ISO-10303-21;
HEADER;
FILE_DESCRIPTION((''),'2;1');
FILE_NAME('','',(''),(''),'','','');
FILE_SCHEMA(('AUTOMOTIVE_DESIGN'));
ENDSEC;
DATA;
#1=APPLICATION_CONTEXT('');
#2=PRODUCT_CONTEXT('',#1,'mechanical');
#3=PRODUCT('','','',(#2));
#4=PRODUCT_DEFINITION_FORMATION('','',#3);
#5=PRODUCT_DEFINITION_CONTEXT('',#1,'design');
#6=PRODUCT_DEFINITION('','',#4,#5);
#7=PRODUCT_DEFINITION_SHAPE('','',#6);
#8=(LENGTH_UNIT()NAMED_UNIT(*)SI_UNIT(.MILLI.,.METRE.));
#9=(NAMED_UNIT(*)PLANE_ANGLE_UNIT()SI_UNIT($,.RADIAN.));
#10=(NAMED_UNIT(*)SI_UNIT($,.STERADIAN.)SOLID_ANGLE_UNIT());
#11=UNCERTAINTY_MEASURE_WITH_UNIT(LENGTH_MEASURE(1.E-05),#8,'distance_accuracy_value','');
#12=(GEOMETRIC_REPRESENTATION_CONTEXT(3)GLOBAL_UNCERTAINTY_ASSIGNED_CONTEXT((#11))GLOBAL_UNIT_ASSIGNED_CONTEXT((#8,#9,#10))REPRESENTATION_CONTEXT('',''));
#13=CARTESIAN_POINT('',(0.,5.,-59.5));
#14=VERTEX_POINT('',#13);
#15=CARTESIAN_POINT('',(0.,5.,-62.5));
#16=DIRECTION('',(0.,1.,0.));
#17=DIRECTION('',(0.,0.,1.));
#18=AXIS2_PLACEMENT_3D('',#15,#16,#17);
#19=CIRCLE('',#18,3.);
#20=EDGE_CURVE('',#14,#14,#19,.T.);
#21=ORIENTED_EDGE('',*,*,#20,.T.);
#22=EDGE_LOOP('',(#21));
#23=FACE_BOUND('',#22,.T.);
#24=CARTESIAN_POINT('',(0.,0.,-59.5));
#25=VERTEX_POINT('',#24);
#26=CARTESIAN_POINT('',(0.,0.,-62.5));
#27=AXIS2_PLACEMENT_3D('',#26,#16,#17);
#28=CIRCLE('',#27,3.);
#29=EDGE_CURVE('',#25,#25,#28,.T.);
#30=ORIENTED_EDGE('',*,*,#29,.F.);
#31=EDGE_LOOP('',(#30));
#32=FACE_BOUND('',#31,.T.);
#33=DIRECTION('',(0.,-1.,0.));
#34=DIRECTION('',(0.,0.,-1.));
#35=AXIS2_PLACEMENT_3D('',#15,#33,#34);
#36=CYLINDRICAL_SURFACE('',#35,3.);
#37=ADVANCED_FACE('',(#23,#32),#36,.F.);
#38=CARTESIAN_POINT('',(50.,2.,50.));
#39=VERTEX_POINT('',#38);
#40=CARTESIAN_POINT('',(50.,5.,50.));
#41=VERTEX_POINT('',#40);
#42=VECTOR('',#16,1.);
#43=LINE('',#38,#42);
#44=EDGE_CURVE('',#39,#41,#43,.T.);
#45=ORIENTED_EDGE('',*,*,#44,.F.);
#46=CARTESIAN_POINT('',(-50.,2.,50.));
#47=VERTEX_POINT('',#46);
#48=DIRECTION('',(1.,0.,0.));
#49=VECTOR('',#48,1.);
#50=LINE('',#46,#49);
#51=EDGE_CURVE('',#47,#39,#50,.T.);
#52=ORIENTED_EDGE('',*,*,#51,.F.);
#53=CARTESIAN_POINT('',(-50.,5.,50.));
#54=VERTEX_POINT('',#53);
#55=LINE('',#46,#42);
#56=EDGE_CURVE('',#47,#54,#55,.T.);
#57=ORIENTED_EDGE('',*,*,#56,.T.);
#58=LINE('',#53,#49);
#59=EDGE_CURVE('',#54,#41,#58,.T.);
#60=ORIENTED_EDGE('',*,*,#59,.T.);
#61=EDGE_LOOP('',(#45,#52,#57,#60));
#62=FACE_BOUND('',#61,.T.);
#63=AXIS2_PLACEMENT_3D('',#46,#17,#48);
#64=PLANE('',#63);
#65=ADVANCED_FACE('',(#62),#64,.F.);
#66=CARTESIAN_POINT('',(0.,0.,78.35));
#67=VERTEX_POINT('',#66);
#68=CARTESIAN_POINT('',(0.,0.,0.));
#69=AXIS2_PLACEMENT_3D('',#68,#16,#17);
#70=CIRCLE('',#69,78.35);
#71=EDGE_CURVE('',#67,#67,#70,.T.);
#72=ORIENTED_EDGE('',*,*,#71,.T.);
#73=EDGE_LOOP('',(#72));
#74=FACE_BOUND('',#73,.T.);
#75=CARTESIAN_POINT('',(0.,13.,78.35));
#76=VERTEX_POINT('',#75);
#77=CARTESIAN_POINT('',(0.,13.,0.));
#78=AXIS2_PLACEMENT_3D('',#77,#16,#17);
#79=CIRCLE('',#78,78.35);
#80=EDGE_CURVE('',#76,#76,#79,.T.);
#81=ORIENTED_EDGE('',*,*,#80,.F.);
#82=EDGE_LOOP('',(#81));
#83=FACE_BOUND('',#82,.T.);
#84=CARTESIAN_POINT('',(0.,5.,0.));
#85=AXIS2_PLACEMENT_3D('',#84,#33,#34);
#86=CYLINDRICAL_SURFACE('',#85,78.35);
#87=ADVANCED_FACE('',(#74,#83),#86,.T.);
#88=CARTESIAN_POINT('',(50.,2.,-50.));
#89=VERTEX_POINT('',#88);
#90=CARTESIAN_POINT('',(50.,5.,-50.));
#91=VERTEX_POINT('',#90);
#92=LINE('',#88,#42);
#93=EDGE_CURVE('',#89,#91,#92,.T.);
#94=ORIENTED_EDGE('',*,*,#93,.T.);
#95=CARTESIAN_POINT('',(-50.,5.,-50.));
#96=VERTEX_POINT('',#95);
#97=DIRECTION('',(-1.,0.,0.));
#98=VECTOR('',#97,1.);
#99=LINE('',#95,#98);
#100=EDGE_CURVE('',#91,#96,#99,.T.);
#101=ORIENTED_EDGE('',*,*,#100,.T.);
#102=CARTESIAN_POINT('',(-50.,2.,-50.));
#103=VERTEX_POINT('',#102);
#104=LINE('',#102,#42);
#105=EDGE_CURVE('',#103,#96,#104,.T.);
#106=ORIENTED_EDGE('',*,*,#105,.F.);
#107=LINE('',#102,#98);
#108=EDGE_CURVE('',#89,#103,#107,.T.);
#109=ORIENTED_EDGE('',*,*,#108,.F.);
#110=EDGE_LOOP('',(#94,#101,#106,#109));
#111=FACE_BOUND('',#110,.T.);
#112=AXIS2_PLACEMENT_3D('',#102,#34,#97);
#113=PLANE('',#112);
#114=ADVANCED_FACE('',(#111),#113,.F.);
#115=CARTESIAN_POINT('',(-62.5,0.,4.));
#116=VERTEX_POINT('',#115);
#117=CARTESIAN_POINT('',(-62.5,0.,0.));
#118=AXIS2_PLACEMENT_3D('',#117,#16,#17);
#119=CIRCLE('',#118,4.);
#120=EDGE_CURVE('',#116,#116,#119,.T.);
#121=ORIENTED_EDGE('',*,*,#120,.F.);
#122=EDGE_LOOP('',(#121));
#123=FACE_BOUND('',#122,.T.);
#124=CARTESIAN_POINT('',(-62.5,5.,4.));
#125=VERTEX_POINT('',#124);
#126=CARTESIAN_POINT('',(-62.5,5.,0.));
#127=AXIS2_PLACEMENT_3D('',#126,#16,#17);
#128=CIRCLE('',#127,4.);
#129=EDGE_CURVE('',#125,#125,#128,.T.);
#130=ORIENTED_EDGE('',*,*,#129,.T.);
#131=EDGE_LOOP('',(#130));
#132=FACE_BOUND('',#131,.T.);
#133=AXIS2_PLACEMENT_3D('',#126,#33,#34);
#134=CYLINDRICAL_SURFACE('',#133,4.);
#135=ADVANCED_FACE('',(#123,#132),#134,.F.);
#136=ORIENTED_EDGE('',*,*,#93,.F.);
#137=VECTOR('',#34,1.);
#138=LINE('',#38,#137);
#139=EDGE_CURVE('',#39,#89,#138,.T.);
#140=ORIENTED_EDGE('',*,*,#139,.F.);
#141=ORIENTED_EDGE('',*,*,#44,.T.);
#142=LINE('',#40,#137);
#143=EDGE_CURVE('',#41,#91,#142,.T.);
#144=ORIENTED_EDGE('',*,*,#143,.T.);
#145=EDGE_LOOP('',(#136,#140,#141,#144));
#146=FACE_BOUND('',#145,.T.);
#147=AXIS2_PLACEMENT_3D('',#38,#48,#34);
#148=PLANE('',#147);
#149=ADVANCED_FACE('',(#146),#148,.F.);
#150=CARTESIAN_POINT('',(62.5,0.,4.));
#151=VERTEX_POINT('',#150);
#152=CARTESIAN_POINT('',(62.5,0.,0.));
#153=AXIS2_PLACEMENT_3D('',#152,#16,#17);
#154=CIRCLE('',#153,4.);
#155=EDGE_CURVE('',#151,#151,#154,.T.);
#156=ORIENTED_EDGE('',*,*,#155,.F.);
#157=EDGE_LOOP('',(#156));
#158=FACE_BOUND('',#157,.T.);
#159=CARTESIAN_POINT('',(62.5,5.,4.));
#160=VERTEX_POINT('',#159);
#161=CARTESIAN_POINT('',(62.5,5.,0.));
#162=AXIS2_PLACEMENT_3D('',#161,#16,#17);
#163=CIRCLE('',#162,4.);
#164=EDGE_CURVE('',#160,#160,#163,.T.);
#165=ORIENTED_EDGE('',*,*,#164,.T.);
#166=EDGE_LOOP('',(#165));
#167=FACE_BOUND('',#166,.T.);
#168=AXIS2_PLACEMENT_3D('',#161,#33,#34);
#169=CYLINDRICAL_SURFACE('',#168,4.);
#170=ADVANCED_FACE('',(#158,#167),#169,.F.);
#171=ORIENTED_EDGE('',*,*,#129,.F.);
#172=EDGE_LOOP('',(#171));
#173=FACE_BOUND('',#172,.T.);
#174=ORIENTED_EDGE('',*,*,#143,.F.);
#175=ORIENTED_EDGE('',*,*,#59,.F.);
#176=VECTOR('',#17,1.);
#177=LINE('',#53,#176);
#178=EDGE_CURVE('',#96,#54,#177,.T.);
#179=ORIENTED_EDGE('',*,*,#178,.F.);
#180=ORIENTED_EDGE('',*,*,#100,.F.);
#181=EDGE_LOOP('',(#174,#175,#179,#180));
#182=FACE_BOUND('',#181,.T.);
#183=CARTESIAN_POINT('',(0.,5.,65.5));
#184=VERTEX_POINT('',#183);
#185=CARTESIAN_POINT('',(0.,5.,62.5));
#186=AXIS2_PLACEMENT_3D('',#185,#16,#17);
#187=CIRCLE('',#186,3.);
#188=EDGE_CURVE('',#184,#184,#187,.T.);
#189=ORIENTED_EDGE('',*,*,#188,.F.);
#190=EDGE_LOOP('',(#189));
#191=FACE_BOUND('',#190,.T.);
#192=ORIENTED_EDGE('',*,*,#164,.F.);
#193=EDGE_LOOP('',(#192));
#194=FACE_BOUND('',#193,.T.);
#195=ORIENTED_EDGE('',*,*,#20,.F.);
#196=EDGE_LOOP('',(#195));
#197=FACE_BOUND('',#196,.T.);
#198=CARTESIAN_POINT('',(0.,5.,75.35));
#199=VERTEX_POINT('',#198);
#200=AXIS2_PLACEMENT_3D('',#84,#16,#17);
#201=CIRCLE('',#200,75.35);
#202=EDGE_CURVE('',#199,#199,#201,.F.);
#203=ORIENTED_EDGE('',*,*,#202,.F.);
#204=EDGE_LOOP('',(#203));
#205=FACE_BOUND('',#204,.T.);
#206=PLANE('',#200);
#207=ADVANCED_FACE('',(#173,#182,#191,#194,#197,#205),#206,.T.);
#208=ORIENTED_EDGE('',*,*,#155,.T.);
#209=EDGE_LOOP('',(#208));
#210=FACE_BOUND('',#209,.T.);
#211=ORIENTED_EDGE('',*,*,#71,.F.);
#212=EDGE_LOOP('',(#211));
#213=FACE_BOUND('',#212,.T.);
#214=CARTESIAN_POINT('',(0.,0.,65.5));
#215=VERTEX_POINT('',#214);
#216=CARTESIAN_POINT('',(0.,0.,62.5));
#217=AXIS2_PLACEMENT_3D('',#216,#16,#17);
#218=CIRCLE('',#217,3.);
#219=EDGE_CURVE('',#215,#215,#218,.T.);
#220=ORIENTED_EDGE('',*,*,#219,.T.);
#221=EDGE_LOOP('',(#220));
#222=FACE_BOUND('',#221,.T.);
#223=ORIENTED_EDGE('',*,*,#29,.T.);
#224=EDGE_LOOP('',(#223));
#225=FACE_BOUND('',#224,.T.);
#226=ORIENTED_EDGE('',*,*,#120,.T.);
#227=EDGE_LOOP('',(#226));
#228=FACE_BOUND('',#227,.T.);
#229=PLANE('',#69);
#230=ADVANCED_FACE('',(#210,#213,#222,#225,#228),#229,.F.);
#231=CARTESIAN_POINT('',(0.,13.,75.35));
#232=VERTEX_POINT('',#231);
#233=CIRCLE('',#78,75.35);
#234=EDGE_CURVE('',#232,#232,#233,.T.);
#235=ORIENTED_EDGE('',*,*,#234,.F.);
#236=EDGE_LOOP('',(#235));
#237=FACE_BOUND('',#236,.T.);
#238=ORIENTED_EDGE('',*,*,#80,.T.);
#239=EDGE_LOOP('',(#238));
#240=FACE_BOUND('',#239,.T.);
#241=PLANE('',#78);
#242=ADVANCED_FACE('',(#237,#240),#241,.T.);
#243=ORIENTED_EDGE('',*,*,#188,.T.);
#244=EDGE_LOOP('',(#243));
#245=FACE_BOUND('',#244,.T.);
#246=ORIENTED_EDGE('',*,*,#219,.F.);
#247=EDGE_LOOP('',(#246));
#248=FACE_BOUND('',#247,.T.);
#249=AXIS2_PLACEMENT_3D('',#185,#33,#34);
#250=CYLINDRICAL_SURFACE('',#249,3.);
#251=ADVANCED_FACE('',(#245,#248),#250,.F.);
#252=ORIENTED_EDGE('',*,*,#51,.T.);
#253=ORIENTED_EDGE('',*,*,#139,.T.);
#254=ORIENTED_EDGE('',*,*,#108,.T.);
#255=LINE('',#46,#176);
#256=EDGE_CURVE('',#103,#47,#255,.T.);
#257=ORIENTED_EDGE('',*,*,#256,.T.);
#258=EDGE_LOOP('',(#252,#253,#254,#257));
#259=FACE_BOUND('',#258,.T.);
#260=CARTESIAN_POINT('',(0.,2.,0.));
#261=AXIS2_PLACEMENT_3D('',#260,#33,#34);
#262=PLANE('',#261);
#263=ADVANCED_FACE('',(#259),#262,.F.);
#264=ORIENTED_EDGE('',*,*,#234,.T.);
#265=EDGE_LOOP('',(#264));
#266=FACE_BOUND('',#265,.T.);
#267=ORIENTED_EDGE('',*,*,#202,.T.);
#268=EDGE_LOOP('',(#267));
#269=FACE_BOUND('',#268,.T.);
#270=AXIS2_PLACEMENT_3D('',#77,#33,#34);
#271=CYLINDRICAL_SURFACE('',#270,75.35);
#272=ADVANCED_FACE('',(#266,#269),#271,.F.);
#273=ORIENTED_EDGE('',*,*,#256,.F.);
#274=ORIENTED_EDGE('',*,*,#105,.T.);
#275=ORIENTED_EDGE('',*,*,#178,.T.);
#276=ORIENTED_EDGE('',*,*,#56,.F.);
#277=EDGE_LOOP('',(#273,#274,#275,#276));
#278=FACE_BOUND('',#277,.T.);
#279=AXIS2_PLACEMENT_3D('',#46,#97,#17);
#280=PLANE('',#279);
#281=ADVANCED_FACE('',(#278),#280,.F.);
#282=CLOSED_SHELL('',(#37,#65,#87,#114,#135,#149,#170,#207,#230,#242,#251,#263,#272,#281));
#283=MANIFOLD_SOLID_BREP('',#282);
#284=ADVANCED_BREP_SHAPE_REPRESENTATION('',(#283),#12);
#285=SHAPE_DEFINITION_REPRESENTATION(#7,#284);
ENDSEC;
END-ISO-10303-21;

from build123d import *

# Parameters (mm, degrees)
SKETCH1_R           = 78.35
SKETCH1_R_2         = 4
SKETCH1_R_3         = 3
BOSS_EXTRUDE1_DEPTH = 5
SKETCH2_R           = 78.35
SKETCH2_R_2         = 75.35
BOSS_EXTRUDE2_DEPTH = 8
SKETCH3_W           = 100
SKETCH3_H           = 100
CUT_EXTRUDE1_DEPTH  = 3


with BuildPart() as part:
    # Sketch1 → Boss-Extrude1 (new body)
    with BuildSketch(Plane(origin=(0, 0, 0), x_dir=(1, 0, 0), z_dir=(0, 1, 0))):
        with Locations(Location((0, 0, 0), (0, 0, 270))):
            Circle(SKETCH1_R)
        with Locations(Location((-62.5, 0, 0), (0, 0, 270))):
            Circle(SKETCH1_R_2, mode=Mode.SUBTRACT)
        with Locations(Location((62.5, 0, 0), (0, 0, 270))):
            Circle(SKETCH1_R_2, mode=Mode.SUBTRACT)
        with Locations(Location((0, 62.5, 0), (0, 0, 270))):
            Circle(SKETCH1_R_3, mode=Mode.SUBTRACT)
        with Locations(Location((0, -62.5, 0), (0, 0, 270))):
            Circle(SKETCH1_R_3, mode=Mode.SUBTRACT)
    extrude(amount=BOSS_EXTRUDE1_DEPTH)

    # Sketch2 → Boss-Extrude2 (add)
    with BuildSketch(Plane(origin=(0, 5, 0), x_dir=(1, 0, 0), z_dir=(0, 1, 0))):
        with Locations(Location((0, 0, 0), (0, 0, 270))):
            Circle(SKETCH2_R)
        with Locations(Location((0, 0, 0), (0, 0, 270))):
            Circle(SKETCH2_R_2, mode=Mode.SUBTRACT)
    extrude(amount=BOSS_EXTRUDE2_DEPTH)

    # Sketch3 → Cut-Extrude1 (cut)
    with BuildSketch(Plane(origin=(0, 5, 0), x_dir=(1, 0, 0), z_dir=(0, 1, 0))):
        Rectangle(SKETCH3_W, SKETCH3_H)
    extrude(amount=-CUT_EXTRUDE1_DEPTH, mode=Mode.SUBTRACT)


solid = part.part
